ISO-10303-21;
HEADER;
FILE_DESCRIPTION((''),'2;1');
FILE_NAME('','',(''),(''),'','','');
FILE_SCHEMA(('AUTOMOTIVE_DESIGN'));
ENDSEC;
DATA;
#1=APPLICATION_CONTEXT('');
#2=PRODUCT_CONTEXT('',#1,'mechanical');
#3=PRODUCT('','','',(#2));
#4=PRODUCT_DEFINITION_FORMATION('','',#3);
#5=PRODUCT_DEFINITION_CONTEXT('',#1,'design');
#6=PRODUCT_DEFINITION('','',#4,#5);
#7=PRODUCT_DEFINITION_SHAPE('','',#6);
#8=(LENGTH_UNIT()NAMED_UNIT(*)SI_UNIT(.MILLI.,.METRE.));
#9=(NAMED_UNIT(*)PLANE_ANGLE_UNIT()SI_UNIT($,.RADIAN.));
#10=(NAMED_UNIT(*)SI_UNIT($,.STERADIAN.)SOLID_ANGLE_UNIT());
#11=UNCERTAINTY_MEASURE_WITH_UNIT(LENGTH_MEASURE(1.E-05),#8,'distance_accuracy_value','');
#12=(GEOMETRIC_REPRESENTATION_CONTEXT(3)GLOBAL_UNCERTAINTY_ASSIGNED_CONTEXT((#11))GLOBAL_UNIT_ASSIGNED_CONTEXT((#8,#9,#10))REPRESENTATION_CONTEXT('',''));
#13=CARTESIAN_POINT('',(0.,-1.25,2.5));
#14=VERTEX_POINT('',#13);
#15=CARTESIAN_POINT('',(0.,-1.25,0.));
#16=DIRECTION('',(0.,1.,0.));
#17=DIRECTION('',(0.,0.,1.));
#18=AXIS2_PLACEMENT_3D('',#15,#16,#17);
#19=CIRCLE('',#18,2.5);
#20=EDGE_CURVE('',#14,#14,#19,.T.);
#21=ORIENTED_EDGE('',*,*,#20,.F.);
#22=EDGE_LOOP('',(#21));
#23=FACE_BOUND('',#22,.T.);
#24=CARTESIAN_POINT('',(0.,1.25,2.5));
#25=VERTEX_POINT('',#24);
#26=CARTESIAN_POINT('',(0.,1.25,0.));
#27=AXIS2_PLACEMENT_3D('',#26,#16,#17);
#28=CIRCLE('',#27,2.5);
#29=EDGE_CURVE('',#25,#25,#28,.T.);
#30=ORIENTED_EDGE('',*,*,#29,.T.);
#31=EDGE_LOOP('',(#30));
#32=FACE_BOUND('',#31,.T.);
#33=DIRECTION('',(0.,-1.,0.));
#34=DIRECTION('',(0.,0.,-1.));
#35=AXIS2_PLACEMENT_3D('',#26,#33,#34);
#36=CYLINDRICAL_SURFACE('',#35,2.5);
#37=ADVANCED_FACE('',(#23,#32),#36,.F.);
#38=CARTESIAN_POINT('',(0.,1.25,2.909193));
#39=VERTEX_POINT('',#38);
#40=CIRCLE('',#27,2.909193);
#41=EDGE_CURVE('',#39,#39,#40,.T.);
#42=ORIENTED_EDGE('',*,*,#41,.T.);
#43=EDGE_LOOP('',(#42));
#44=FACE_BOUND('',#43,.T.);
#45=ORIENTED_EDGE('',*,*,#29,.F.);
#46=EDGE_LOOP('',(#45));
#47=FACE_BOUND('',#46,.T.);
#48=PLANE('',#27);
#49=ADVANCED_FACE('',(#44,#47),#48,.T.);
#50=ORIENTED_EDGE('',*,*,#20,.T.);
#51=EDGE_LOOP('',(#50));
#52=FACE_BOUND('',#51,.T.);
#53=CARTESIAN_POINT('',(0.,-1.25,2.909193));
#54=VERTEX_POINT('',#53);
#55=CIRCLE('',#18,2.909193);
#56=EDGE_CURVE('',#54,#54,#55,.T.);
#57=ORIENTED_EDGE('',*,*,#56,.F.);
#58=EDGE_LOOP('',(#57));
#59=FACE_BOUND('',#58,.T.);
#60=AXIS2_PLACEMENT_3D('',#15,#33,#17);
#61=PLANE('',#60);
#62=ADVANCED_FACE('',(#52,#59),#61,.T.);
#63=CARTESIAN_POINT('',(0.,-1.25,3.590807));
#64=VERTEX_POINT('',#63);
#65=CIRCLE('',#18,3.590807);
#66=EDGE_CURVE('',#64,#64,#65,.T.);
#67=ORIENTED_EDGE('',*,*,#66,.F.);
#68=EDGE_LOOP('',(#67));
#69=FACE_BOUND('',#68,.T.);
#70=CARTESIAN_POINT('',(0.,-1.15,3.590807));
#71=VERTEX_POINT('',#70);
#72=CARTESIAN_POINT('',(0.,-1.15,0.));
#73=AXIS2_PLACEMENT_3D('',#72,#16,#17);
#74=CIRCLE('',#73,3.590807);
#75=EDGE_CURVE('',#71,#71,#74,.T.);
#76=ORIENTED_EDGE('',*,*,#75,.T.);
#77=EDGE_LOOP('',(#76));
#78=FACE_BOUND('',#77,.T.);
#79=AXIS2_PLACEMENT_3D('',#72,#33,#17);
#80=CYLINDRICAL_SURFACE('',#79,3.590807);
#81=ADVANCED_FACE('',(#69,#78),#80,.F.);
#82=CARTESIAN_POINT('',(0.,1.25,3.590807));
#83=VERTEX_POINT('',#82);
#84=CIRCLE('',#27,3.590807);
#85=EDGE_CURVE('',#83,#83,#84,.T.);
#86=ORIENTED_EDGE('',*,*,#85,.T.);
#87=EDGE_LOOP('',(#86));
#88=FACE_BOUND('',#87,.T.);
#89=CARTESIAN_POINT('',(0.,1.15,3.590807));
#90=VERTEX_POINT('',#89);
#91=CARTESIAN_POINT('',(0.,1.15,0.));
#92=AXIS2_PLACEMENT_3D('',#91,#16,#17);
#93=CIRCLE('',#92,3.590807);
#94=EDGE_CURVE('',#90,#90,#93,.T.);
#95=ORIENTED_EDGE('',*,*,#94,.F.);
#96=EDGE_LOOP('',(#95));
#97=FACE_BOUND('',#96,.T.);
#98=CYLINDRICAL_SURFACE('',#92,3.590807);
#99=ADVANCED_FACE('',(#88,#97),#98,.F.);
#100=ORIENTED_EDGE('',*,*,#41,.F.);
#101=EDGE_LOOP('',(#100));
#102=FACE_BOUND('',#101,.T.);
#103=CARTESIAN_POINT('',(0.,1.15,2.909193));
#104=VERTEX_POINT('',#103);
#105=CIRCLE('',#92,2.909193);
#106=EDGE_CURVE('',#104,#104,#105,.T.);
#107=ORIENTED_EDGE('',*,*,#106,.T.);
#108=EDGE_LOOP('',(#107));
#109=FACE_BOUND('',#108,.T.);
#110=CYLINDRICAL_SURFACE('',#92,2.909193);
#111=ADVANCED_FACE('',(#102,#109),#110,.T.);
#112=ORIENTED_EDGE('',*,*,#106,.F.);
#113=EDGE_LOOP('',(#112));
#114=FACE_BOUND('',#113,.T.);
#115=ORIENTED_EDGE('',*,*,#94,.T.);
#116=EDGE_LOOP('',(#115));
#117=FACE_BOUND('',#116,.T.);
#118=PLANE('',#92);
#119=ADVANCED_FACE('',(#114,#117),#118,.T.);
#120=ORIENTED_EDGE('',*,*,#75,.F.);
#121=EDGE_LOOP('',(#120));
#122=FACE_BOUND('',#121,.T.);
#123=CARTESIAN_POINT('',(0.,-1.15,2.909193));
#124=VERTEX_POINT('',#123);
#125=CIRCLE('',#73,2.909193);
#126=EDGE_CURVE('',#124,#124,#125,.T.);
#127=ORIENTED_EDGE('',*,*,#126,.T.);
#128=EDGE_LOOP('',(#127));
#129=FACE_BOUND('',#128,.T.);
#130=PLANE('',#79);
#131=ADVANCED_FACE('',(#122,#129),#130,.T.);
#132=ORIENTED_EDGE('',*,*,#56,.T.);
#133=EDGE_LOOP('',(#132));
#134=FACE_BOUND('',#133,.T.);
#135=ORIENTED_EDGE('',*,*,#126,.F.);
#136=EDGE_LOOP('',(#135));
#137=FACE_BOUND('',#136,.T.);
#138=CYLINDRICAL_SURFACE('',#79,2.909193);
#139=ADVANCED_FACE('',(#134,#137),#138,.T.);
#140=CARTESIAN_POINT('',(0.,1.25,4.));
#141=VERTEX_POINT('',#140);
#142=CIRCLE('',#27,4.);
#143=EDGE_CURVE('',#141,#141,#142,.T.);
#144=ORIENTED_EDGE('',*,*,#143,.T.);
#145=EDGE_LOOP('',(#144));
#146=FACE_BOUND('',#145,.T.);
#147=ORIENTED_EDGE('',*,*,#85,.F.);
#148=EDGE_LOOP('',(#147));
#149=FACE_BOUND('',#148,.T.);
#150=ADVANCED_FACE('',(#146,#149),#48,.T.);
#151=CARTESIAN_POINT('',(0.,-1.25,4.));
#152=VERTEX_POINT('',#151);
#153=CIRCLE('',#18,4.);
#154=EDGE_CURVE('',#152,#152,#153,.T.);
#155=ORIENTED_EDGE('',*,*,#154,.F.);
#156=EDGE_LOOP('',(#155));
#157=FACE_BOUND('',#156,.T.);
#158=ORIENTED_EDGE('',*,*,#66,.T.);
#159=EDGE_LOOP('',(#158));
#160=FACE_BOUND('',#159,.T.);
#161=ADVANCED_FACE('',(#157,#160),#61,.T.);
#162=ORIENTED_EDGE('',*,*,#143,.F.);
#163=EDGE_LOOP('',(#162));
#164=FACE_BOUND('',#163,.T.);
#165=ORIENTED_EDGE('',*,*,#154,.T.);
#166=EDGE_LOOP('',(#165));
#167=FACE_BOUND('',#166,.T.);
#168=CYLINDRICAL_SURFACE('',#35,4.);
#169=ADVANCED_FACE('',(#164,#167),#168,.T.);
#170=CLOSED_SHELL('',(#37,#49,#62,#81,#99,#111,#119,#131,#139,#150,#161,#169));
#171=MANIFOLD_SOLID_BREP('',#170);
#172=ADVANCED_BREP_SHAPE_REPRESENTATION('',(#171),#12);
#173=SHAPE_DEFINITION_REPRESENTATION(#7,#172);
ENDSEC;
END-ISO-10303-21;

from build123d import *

# Parameters (mm, degrees)
SKETCH1_R           = 4
SKETCH1_R_2         = 2.5
BOSS_EXTRUDE1_DEPTH = 1.25
SKETCH2_R           = 3.590807055
SKETCH2_R_2         = 2.909192945
CUT_EXTRUDE1_DEPTH  = 0.1


with BuildPart() as part:
    # Sketch1 → Boss-Extrude1 (new body)
    with BuildSketch(Plane(origin=(0, 0, 0), x_dir=(1, 0, 0), z_dir=(0, 1, 0))):
        with Locations(Location((0, 0, 0), (0, 0, 270))):
            Circle(SKETCH1_R)
        with Locations(Location((0, 0, 0), (0, 0, 270))):
            Circle(SKETCH1_R_2, mode=Mode.SUBTRACT)
    extrude(amount=BOSS_EXTRUDE1_DEPTH)

    # Sketch2 → Cut-Extrude1 (cut)
    with BuildSketch(Plane(origin=(0, 1.25, 0), x_dir=(1, 0, 0), z_dir=(0, 1, 0))):
        with Locations(Location((0, 0, 0), (0, 0, 270))):
            Circle(SKETCH2_R)
        with Locations(Location((0, 0, 0), (0, 0, 270))):
            Circle(SKETCH2_R_2, mode=Mode.SUBTRACT)
    extrude(amount=-CUT_EXTRUDE1_DEPTH, mode=Mode.SUBTRACT)

    # Mirror1: part across plane


with BuildPart() as part_1:
    add(part.part)
    add(part.part.mirror(Plane.ZX))


solid = part_1.part
